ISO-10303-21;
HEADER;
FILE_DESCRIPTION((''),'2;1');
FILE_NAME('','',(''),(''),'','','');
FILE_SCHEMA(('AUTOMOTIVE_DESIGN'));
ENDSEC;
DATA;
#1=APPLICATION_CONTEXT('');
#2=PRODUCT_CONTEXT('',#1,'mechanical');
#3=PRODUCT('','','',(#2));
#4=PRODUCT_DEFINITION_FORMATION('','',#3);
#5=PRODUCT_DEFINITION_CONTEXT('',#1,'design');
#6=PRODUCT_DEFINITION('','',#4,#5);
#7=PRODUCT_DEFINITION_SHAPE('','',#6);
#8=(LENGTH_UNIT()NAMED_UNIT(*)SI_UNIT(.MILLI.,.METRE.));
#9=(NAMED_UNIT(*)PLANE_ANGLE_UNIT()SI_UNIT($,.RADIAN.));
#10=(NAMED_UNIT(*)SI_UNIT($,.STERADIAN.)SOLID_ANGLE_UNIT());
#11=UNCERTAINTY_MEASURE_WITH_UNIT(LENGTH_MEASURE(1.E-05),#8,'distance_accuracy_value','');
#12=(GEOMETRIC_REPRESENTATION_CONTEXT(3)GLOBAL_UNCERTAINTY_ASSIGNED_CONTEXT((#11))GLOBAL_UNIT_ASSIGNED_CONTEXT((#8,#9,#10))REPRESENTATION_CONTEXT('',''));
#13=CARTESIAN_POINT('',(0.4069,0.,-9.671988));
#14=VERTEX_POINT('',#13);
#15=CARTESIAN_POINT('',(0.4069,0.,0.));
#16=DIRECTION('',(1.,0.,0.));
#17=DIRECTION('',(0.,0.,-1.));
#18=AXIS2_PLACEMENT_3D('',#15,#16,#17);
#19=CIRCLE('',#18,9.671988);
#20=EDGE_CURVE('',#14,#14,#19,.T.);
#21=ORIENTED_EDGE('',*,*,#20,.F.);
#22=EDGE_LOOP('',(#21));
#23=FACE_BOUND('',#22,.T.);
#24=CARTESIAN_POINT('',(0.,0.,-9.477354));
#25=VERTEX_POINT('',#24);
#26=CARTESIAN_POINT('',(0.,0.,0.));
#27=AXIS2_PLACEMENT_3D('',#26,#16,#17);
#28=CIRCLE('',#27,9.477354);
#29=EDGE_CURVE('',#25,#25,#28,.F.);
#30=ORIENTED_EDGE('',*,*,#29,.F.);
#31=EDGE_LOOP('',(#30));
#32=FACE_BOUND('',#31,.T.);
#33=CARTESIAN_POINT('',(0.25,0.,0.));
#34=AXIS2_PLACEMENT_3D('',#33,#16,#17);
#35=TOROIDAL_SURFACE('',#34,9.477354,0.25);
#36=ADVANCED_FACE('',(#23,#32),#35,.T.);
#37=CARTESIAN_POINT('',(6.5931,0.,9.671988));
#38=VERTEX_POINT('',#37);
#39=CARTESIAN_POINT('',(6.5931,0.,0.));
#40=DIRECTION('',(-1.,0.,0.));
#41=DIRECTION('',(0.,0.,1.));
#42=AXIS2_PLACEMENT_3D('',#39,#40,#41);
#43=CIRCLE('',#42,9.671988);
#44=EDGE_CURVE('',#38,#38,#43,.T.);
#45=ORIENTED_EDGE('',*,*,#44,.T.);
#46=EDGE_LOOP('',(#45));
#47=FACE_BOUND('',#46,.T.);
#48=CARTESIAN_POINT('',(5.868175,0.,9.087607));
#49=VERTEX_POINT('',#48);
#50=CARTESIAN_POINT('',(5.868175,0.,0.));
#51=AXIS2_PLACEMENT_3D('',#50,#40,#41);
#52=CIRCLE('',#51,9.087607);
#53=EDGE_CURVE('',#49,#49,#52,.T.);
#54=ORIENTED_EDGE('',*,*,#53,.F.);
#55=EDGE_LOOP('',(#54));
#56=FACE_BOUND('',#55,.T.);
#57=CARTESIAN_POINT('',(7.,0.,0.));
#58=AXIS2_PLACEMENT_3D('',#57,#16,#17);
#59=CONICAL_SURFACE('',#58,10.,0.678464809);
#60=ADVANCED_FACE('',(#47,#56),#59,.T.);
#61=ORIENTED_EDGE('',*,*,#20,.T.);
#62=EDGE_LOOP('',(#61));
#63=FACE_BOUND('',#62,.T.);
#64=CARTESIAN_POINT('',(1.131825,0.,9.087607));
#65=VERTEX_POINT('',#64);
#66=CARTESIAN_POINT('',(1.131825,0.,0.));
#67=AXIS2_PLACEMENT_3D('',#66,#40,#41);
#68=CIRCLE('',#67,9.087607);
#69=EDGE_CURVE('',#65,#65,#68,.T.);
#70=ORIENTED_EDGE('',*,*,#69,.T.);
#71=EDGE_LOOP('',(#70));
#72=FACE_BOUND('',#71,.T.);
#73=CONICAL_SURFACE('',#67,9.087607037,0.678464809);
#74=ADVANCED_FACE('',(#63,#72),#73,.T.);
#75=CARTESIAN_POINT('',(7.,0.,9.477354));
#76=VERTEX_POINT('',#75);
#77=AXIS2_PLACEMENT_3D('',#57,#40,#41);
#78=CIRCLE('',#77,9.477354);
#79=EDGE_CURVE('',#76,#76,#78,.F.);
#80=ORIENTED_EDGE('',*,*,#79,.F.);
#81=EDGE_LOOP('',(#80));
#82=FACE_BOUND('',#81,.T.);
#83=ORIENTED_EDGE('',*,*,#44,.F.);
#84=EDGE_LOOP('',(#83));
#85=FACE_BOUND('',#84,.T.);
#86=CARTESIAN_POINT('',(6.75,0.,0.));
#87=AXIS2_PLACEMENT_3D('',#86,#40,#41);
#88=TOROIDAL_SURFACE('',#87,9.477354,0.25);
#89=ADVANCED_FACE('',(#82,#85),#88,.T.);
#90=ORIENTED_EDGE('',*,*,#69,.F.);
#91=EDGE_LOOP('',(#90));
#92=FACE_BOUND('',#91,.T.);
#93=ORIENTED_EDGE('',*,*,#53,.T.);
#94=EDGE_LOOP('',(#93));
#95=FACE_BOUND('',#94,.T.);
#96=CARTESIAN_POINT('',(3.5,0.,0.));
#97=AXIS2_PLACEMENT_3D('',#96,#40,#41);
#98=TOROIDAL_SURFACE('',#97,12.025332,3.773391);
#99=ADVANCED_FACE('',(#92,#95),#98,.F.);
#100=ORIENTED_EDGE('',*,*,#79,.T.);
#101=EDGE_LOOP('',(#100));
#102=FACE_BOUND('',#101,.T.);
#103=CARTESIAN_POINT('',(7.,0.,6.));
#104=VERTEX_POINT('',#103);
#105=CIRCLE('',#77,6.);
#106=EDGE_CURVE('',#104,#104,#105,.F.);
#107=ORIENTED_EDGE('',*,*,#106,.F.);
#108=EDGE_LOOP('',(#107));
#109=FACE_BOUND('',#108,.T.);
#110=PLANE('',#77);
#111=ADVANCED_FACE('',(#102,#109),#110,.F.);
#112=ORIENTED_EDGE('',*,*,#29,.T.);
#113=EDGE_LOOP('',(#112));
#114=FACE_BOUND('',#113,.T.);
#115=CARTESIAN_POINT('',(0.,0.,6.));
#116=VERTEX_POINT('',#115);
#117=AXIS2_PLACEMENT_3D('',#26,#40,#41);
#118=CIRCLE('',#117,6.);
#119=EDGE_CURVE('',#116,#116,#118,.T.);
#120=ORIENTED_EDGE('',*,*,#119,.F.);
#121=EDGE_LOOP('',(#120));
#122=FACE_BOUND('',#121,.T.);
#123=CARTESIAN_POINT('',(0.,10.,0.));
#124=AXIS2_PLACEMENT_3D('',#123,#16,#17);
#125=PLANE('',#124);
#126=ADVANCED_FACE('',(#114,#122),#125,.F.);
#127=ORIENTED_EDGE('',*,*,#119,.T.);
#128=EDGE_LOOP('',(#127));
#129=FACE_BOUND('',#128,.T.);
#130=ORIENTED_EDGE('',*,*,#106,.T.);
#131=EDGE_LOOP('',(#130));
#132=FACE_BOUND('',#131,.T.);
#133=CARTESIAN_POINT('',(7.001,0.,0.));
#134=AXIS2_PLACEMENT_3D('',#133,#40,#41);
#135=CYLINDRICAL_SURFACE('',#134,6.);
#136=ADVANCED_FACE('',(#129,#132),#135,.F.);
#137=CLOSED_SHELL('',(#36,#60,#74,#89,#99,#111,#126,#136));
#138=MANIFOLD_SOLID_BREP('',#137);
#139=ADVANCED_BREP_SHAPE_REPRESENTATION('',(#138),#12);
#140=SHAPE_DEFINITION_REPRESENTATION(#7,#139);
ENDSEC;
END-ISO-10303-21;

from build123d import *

# Parameters (mm, degrees)
FILLET1_R          = 0.25
CUT_EXTRUDE1_REACH = 9
SKETCH3_R          = 6


with BuildPart() as part:
    # Sketch2 → Revolve1 (revolve)
    with BuildSketch(Plane.XY):
        with BuildLine():
            Line((0, 0), (7, 0))
            Line((7, 0), (7, 10))
            Line((7, 10), (5.868174923, 9.087607037))
            ThreePointArc((5.868174923, 9.087607037), (3.5, 8.251940939), (1.131825077, 9.087607037))
            Line((1.131825077, 9.087607037), (0, 10))
            Line((0, 10), (0, 0))
        make_face()
    revolve(axis=Axis((0, 0, 0), (1, 0, 0)))

    # Fillet1
    fillet1_edges = [part.edges().sort_by_distance(p)[0] for p in [
        (0, -10, 0),
        (7, -10, 0),
    ]]
    fillet(fillet1_edges, radius=FILLET1_R)

    # Sketch3 → Cut-Extrude1 (cut, up to next)
    with BuildSketch(Plane.ZY, mode=Mode.PRIVATE) as cut_extrude1_sk1:
        Circle(SKETCH3_R)
    cut_extrude1_tool1 = extrude(cut_extrude1_sk1.sketch, amount=-CUT_EXTRUDE1_REACH, mode=Mode.PRIVATE) & part.part
    add(cut_extrude1_tool1.solids().sort_by_distance((0, 0, 0))[0], mode=Mode.SUBTRACT)


solid = part.part
